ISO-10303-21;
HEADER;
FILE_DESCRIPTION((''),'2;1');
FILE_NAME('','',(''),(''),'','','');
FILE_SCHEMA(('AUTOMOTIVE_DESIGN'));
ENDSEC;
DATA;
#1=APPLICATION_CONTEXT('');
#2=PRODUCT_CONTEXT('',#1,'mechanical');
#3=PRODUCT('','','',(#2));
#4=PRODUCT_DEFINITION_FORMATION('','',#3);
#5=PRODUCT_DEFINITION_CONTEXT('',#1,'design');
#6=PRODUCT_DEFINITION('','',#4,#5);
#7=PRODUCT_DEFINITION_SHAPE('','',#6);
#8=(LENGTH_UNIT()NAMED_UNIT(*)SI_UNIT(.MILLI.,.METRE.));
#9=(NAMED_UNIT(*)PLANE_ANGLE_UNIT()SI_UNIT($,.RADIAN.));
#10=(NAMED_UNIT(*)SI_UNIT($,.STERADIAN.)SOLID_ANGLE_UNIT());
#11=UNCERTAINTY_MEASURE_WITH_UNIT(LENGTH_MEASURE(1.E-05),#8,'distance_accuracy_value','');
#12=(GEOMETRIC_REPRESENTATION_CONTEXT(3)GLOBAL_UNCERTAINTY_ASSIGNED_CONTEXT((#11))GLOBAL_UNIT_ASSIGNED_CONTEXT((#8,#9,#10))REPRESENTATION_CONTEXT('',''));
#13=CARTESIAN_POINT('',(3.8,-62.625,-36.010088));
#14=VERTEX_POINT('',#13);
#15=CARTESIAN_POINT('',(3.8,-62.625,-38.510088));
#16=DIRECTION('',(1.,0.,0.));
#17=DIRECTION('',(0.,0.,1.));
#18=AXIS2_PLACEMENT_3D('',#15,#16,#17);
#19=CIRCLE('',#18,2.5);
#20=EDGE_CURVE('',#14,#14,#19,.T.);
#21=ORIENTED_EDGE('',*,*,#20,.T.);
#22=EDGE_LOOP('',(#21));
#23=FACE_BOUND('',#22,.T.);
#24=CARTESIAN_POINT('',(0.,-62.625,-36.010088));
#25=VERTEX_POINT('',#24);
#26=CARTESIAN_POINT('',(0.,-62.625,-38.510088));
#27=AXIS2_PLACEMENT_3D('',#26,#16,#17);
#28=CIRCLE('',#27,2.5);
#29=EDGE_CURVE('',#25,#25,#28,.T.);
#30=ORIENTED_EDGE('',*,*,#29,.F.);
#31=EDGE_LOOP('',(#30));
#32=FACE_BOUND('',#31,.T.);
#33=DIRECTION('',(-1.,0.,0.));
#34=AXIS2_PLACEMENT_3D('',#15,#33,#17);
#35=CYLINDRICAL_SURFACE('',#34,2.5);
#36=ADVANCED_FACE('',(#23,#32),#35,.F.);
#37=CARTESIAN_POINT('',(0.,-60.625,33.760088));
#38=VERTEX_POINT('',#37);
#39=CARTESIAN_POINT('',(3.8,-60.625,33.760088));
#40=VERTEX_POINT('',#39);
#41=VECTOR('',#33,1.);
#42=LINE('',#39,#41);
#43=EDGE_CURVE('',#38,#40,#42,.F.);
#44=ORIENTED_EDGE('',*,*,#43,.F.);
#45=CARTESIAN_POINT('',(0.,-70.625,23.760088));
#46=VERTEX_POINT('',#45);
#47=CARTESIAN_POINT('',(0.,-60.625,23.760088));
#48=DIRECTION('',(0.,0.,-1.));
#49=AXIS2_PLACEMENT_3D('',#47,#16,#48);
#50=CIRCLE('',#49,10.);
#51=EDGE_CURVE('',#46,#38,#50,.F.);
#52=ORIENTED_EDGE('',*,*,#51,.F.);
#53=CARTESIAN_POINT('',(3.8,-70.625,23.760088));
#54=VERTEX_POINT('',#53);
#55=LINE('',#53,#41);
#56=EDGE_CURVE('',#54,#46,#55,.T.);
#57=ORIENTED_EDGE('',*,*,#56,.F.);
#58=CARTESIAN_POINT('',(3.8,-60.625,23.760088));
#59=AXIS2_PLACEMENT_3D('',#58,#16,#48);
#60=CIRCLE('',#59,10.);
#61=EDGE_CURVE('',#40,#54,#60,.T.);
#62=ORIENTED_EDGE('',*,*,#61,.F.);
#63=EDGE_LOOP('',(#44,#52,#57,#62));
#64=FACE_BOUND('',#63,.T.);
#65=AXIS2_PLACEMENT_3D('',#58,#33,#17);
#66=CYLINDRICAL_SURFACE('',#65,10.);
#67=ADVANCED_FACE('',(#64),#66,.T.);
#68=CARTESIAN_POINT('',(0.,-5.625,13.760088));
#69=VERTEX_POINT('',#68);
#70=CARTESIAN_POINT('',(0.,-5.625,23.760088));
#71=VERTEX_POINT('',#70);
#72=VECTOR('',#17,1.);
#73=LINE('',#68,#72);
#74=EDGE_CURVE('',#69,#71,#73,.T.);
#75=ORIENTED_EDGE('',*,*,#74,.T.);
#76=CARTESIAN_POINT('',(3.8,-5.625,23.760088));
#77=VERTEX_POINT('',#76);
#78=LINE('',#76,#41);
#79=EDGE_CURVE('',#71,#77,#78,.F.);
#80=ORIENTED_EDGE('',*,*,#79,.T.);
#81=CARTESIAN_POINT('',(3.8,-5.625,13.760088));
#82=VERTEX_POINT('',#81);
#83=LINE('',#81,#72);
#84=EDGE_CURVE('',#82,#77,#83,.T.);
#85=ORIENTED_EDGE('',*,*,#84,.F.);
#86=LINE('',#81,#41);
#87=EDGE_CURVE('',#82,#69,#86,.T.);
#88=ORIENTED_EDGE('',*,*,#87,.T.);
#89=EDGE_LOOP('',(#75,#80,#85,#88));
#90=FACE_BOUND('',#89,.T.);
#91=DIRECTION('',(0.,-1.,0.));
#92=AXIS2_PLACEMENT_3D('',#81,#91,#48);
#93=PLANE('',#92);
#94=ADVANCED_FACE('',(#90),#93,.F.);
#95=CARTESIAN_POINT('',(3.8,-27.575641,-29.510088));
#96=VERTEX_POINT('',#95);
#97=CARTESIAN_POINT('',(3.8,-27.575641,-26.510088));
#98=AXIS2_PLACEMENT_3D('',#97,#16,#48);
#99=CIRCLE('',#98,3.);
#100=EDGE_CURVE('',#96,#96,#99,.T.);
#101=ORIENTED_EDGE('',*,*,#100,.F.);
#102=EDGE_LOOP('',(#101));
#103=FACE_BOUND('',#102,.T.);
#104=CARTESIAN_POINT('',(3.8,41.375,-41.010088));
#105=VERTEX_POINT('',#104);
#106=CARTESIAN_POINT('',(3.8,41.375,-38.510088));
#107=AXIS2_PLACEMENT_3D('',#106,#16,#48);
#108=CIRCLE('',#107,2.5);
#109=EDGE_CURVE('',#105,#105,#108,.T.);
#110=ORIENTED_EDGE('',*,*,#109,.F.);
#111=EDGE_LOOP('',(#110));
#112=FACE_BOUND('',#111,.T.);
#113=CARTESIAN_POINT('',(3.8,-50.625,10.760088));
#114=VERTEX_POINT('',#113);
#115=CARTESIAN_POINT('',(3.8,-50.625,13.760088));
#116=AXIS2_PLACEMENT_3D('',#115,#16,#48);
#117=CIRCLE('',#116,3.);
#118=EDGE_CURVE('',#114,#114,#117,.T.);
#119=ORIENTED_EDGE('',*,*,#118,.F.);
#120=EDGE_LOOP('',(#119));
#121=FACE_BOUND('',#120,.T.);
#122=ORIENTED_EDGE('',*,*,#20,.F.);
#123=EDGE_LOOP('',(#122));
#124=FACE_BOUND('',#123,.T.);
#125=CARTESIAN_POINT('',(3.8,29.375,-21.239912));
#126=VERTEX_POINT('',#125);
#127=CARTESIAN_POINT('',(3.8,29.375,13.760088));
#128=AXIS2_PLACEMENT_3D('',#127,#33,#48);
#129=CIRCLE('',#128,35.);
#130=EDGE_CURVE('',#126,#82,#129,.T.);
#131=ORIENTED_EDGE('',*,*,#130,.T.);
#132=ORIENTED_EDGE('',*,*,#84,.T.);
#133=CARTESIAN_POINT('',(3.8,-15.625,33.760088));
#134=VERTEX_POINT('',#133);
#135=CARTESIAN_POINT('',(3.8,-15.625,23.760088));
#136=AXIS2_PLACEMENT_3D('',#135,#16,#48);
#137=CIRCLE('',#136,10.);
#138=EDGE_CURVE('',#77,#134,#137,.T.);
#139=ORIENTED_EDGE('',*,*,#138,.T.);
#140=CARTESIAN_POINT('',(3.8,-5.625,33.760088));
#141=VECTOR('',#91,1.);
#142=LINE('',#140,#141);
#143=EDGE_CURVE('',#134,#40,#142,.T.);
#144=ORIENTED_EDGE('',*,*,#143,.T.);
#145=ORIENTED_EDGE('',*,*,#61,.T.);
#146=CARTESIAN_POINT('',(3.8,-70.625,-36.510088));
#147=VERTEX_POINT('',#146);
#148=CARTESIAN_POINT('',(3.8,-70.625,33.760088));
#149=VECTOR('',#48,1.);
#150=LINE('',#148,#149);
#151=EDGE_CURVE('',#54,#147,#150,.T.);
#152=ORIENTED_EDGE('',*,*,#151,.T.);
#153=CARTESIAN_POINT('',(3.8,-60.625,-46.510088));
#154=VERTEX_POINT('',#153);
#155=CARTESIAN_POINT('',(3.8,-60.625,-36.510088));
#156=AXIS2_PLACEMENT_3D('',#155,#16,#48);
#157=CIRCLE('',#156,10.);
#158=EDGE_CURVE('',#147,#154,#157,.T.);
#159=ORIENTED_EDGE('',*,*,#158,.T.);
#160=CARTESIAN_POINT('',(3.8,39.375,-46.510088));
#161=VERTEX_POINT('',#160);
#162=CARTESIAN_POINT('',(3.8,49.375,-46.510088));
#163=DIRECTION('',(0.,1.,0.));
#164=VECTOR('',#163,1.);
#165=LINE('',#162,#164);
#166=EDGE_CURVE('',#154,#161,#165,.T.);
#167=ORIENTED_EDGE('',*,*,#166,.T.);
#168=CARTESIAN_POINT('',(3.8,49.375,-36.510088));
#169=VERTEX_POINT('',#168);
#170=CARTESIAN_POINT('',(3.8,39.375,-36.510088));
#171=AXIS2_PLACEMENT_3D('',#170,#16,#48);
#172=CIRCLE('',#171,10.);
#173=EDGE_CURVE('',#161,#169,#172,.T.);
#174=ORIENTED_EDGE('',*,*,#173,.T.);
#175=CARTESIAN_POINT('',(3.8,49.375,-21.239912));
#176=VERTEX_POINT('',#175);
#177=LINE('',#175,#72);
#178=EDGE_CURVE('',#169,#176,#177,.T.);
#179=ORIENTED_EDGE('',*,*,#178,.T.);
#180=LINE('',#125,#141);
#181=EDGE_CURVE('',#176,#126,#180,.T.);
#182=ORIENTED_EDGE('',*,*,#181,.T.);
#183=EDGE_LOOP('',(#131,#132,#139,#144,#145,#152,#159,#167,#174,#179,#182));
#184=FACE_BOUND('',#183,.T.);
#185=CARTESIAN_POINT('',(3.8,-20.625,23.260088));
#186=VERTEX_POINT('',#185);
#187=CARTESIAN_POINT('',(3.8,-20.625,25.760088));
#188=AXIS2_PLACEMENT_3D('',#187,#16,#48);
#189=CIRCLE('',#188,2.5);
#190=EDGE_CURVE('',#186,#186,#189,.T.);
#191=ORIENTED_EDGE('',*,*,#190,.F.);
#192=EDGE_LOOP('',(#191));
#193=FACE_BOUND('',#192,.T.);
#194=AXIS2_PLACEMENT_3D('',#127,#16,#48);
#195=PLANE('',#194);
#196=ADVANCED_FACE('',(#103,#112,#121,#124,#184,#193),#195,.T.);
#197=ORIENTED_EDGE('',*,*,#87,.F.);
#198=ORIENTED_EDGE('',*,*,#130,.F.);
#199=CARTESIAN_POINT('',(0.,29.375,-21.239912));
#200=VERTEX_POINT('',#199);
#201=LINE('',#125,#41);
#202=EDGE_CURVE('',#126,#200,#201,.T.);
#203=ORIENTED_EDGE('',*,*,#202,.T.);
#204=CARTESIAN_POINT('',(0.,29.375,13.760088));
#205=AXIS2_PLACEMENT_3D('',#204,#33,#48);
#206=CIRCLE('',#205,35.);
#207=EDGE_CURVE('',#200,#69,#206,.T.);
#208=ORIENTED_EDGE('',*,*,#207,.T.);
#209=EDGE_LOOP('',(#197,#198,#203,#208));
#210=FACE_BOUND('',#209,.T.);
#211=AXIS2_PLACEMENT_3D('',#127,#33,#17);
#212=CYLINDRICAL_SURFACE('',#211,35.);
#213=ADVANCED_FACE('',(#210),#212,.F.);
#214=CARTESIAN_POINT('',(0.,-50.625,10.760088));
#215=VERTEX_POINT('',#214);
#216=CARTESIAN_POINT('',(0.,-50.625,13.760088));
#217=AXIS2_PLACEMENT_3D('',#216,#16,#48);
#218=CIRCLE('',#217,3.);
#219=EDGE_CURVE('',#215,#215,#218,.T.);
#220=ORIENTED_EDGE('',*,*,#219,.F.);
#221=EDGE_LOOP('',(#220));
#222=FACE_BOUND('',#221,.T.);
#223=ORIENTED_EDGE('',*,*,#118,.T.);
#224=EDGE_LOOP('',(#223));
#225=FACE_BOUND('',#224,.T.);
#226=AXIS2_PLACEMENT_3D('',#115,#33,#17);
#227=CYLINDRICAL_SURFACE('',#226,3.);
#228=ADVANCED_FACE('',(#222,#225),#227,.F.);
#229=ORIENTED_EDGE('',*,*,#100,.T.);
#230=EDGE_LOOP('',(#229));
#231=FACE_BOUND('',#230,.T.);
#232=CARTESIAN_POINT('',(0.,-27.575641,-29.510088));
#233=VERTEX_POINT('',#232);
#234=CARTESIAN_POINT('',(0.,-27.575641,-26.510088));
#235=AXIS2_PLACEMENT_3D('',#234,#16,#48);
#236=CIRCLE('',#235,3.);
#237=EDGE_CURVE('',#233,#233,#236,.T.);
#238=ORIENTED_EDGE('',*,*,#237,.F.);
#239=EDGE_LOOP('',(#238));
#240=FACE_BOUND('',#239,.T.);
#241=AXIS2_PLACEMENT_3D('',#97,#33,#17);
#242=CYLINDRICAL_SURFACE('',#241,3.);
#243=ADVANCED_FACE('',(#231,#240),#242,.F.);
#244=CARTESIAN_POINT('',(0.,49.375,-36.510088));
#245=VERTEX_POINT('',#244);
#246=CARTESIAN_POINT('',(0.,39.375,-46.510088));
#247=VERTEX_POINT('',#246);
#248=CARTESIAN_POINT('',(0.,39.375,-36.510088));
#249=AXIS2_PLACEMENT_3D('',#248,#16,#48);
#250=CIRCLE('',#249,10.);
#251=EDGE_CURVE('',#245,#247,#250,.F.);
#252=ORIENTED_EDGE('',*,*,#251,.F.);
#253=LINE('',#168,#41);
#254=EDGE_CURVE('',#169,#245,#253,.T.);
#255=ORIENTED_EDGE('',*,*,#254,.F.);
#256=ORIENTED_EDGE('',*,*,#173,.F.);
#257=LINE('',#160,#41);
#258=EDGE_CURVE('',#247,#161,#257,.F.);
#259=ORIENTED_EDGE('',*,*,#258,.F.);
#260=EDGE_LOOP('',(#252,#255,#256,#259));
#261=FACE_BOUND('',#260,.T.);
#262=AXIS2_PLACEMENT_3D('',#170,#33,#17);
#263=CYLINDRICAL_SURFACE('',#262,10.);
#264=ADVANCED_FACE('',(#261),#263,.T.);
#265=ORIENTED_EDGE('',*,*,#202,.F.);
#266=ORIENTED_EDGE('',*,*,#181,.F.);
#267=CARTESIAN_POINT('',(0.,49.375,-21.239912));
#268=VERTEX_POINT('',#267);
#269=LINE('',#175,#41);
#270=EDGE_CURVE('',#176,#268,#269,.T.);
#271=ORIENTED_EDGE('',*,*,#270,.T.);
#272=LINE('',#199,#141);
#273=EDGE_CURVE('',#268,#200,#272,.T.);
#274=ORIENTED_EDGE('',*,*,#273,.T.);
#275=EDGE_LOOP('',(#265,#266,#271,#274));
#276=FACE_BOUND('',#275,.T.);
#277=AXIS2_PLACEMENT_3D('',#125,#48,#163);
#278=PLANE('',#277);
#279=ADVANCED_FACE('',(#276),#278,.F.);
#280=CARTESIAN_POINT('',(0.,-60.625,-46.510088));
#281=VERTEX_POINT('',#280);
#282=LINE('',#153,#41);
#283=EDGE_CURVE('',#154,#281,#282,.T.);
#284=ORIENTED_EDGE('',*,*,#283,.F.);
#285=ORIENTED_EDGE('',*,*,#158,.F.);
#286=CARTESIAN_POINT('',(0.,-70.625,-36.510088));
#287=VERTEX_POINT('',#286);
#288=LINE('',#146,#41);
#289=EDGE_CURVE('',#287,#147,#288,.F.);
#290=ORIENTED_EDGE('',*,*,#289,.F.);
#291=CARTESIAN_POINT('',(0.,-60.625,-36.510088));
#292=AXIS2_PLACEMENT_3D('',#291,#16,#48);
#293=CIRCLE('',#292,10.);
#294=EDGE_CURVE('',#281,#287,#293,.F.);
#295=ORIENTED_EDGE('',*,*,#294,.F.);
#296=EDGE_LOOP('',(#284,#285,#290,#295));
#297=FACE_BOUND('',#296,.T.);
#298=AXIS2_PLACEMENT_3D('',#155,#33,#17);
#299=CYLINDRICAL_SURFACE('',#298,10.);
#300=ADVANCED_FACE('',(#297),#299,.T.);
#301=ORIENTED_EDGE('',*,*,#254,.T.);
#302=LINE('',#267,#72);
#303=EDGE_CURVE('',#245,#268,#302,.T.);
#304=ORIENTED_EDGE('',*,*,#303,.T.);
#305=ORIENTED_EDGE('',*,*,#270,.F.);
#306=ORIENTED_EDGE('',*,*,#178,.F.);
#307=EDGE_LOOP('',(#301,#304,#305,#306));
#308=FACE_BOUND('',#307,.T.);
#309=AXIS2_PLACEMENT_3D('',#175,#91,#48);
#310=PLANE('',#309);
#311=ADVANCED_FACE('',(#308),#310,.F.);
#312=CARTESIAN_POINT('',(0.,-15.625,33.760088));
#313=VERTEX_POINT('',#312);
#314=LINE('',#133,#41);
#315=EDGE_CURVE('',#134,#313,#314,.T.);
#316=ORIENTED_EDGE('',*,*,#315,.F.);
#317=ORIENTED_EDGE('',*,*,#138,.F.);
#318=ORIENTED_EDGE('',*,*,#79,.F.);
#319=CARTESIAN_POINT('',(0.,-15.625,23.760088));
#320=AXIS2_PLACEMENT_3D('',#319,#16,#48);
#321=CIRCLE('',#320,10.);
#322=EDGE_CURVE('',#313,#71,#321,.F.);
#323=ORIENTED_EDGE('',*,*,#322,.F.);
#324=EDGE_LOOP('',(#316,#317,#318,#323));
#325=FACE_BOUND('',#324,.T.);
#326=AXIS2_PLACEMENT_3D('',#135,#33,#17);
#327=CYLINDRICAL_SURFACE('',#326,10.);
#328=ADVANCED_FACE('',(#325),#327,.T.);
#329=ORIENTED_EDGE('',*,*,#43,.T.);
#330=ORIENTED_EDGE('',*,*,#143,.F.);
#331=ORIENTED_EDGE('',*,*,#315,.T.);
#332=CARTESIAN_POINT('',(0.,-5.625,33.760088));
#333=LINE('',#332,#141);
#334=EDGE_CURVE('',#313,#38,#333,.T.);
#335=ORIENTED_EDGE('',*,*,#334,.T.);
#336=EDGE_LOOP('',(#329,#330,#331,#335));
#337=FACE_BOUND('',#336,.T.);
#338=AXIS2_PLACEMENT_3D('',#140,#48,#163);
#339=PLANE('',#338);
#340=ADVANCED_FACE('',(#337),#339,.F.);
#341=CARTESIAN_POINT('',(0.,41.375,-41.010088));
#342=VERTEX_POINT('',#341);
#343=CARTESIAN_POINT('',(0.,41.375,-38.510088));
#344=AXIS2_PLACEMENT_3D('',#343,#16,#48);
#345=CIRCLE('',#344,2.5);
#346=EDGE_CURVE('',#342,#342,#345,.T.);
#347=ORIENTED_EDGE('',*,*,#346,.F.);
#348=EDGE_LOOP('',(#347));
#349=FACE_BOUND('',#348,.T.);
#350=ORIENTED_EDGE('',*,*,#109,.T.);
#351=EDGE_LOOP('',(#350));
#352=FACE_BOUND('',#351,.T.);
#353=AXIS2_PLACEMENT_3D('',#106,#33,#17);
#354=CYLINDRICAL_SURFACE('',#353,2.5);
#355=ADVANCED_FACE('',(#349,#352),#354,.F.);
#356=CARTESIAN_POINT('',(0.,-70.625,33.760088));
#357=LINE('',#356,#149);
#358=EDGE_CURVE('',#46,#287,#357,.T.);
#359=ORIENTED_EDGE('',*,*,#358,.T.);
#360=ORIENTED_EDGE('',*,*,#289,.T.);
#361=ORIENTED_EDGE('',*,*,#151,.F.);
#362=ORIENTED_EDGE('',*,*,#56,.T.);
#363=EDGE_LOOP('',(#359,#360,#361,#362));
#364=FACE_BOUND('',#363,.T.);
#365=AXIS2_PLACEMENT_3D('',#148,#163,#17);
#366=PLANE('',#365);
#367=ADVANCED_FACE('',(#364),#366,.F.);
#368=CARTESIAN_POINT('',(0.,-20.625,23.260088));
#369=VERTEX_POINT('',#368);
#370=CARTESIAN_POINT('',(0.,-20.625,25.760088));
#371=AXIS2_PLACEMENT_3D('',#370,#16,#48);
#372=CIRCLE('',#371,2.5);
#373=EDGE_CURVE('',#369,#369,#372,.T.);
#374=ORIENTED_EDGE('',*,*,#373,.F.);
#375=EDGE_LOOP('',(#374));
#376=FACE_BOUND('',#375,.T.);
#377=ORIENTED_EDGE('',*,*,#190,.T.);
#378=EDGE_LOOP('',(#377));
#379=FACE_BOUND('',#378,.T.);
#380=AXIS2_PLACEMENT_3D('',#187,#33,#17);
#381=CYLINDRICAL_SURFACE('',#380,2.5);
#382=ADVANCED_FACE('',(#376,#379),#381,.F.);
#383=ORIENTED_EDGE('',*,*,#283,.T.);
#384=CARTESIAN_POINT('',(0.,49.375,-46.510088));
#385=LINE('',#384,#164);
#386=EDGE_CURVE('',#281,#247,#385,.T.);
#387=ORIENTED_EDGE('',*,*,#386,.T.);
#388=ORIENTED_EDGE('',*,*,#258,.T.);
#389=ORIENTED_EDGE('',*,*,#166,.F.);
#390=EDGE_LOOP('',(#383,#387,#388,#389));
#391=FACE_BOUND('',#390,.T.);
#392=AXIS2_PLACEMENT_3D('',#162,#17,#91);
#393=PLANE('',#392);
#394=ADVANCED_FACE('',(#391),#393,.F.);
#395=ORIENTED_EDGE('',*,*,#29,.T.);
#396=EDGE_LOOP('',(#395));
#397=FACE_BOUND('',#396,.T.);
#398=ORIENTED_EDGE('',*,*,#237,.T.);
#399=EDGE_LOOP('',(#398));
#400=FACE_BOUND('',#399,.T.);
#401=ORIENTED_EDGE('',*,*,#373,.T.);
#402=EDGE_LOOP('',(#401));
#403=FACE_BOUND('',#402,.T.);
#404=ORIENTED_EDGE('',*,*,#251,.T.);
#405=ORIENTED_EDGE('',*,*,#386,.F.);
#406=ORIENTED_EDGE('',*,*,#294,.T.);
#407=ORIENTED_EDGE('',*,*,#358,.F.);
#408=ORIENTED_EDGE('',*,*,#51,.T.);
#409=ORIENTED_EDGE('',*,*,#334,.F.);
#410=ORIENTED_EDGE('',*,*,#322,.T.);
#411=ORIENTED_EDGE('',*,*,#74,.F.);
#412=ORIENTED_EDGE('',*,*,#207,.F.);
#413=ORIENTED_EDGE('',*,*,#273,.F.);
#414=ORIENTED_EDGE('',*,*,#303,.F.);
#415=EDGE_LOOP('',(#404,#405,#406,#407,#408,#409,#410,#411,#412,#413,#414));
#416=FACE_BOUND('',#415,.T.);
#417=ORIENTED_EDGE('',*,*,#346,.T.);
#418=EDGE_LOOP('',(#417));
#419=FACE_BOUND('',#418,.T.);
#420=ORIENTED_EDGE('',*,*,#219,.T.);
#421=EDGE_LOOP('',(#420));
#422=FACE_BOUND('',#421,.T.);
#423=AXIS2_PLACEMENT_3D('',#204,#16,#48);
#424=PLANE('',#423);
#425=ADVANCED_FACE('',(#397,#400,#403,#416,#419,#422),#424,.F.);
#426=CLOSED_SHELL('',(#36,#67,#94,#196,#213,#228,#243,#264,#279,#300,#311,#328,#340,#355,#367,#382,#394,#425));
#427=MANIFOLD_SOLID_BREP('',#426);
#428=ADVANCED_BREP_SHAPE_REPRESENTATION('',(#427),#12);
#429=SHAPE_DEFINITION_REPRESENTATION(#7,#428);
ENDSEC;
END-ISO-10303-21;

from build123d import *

# Parameters (mm, degrees)
SKETCH1_R           = 3
SKETCH1_R_2         = 2.5
BOSS_EXTRUDE1_DEPTH = 3.8
FILLET1_R           = 10


with BuildPart() as part:
    # Sketch1 → Boss-Extrude1 (new body)
    with BuildSketch(Plane(origin=(0, 0, 0), x_dir=(0, 0, -1), z_dir=(1, 0, 0))):
        with BuildLine():
            Line((-33.760087735, -70.625), (46.510087735, -70.625))
            Line((46.510087735, -70.625), (46.510087735, 49.375))
            Line((46.510087735, 49.375), (21.239912265, 49.375))
            Line((21.239912265, 49.375), (21.239912265, 29.375))
            ThreePointArc((21.239912265, 29.375), (10.988649606, 4.626262658), (-13.760087735, -5.625))
            Line((-13.760087735, -5.625), (-33.760087735, -5.625))
            Line((-33.760087735, -5.625), (-33.760087735, -70.625))
        make_face()
        with Locations((-13.760087735, -50.625)):
            Circle(SKETCH1_R, mode=Mode.SUBTRACT)
        with Locations((26.510087735, -27.575640625)):
            Circle(SKETCH1_R, mode=Mode.SUBTRACT)
        with Locations((38.510087735, 41.375)):
            Circle(SKETCH1_R_2, mode=Mode.SUBTRACT)
        with Locations((38.510087735, -62.625)):
            Circle(SKETCH1_R_2, mode=Mode.SUBTRACT)
        with Locations((-25.760087735, -20.625)):
            Circle(SKETCH1_R_2, mode=Mode.SUBTRACT)
    extrude(amount=BOSS_EXTRUDE1_DEPTH)

    # Fillet1
    fillet1_edges = [part.edges().sort_by_distance(p)[0] for p in [
        (1.9, -70.625, -46.510087735),
        (1.9, -70.625, 33.760087735),
        (1.9, -5.625, 33.760087735),
        (1.9, 49.375, -46.510087735),
    ]]
    fillet(fillet1_edges, radius=FILLET1_R)


solid = part.part
